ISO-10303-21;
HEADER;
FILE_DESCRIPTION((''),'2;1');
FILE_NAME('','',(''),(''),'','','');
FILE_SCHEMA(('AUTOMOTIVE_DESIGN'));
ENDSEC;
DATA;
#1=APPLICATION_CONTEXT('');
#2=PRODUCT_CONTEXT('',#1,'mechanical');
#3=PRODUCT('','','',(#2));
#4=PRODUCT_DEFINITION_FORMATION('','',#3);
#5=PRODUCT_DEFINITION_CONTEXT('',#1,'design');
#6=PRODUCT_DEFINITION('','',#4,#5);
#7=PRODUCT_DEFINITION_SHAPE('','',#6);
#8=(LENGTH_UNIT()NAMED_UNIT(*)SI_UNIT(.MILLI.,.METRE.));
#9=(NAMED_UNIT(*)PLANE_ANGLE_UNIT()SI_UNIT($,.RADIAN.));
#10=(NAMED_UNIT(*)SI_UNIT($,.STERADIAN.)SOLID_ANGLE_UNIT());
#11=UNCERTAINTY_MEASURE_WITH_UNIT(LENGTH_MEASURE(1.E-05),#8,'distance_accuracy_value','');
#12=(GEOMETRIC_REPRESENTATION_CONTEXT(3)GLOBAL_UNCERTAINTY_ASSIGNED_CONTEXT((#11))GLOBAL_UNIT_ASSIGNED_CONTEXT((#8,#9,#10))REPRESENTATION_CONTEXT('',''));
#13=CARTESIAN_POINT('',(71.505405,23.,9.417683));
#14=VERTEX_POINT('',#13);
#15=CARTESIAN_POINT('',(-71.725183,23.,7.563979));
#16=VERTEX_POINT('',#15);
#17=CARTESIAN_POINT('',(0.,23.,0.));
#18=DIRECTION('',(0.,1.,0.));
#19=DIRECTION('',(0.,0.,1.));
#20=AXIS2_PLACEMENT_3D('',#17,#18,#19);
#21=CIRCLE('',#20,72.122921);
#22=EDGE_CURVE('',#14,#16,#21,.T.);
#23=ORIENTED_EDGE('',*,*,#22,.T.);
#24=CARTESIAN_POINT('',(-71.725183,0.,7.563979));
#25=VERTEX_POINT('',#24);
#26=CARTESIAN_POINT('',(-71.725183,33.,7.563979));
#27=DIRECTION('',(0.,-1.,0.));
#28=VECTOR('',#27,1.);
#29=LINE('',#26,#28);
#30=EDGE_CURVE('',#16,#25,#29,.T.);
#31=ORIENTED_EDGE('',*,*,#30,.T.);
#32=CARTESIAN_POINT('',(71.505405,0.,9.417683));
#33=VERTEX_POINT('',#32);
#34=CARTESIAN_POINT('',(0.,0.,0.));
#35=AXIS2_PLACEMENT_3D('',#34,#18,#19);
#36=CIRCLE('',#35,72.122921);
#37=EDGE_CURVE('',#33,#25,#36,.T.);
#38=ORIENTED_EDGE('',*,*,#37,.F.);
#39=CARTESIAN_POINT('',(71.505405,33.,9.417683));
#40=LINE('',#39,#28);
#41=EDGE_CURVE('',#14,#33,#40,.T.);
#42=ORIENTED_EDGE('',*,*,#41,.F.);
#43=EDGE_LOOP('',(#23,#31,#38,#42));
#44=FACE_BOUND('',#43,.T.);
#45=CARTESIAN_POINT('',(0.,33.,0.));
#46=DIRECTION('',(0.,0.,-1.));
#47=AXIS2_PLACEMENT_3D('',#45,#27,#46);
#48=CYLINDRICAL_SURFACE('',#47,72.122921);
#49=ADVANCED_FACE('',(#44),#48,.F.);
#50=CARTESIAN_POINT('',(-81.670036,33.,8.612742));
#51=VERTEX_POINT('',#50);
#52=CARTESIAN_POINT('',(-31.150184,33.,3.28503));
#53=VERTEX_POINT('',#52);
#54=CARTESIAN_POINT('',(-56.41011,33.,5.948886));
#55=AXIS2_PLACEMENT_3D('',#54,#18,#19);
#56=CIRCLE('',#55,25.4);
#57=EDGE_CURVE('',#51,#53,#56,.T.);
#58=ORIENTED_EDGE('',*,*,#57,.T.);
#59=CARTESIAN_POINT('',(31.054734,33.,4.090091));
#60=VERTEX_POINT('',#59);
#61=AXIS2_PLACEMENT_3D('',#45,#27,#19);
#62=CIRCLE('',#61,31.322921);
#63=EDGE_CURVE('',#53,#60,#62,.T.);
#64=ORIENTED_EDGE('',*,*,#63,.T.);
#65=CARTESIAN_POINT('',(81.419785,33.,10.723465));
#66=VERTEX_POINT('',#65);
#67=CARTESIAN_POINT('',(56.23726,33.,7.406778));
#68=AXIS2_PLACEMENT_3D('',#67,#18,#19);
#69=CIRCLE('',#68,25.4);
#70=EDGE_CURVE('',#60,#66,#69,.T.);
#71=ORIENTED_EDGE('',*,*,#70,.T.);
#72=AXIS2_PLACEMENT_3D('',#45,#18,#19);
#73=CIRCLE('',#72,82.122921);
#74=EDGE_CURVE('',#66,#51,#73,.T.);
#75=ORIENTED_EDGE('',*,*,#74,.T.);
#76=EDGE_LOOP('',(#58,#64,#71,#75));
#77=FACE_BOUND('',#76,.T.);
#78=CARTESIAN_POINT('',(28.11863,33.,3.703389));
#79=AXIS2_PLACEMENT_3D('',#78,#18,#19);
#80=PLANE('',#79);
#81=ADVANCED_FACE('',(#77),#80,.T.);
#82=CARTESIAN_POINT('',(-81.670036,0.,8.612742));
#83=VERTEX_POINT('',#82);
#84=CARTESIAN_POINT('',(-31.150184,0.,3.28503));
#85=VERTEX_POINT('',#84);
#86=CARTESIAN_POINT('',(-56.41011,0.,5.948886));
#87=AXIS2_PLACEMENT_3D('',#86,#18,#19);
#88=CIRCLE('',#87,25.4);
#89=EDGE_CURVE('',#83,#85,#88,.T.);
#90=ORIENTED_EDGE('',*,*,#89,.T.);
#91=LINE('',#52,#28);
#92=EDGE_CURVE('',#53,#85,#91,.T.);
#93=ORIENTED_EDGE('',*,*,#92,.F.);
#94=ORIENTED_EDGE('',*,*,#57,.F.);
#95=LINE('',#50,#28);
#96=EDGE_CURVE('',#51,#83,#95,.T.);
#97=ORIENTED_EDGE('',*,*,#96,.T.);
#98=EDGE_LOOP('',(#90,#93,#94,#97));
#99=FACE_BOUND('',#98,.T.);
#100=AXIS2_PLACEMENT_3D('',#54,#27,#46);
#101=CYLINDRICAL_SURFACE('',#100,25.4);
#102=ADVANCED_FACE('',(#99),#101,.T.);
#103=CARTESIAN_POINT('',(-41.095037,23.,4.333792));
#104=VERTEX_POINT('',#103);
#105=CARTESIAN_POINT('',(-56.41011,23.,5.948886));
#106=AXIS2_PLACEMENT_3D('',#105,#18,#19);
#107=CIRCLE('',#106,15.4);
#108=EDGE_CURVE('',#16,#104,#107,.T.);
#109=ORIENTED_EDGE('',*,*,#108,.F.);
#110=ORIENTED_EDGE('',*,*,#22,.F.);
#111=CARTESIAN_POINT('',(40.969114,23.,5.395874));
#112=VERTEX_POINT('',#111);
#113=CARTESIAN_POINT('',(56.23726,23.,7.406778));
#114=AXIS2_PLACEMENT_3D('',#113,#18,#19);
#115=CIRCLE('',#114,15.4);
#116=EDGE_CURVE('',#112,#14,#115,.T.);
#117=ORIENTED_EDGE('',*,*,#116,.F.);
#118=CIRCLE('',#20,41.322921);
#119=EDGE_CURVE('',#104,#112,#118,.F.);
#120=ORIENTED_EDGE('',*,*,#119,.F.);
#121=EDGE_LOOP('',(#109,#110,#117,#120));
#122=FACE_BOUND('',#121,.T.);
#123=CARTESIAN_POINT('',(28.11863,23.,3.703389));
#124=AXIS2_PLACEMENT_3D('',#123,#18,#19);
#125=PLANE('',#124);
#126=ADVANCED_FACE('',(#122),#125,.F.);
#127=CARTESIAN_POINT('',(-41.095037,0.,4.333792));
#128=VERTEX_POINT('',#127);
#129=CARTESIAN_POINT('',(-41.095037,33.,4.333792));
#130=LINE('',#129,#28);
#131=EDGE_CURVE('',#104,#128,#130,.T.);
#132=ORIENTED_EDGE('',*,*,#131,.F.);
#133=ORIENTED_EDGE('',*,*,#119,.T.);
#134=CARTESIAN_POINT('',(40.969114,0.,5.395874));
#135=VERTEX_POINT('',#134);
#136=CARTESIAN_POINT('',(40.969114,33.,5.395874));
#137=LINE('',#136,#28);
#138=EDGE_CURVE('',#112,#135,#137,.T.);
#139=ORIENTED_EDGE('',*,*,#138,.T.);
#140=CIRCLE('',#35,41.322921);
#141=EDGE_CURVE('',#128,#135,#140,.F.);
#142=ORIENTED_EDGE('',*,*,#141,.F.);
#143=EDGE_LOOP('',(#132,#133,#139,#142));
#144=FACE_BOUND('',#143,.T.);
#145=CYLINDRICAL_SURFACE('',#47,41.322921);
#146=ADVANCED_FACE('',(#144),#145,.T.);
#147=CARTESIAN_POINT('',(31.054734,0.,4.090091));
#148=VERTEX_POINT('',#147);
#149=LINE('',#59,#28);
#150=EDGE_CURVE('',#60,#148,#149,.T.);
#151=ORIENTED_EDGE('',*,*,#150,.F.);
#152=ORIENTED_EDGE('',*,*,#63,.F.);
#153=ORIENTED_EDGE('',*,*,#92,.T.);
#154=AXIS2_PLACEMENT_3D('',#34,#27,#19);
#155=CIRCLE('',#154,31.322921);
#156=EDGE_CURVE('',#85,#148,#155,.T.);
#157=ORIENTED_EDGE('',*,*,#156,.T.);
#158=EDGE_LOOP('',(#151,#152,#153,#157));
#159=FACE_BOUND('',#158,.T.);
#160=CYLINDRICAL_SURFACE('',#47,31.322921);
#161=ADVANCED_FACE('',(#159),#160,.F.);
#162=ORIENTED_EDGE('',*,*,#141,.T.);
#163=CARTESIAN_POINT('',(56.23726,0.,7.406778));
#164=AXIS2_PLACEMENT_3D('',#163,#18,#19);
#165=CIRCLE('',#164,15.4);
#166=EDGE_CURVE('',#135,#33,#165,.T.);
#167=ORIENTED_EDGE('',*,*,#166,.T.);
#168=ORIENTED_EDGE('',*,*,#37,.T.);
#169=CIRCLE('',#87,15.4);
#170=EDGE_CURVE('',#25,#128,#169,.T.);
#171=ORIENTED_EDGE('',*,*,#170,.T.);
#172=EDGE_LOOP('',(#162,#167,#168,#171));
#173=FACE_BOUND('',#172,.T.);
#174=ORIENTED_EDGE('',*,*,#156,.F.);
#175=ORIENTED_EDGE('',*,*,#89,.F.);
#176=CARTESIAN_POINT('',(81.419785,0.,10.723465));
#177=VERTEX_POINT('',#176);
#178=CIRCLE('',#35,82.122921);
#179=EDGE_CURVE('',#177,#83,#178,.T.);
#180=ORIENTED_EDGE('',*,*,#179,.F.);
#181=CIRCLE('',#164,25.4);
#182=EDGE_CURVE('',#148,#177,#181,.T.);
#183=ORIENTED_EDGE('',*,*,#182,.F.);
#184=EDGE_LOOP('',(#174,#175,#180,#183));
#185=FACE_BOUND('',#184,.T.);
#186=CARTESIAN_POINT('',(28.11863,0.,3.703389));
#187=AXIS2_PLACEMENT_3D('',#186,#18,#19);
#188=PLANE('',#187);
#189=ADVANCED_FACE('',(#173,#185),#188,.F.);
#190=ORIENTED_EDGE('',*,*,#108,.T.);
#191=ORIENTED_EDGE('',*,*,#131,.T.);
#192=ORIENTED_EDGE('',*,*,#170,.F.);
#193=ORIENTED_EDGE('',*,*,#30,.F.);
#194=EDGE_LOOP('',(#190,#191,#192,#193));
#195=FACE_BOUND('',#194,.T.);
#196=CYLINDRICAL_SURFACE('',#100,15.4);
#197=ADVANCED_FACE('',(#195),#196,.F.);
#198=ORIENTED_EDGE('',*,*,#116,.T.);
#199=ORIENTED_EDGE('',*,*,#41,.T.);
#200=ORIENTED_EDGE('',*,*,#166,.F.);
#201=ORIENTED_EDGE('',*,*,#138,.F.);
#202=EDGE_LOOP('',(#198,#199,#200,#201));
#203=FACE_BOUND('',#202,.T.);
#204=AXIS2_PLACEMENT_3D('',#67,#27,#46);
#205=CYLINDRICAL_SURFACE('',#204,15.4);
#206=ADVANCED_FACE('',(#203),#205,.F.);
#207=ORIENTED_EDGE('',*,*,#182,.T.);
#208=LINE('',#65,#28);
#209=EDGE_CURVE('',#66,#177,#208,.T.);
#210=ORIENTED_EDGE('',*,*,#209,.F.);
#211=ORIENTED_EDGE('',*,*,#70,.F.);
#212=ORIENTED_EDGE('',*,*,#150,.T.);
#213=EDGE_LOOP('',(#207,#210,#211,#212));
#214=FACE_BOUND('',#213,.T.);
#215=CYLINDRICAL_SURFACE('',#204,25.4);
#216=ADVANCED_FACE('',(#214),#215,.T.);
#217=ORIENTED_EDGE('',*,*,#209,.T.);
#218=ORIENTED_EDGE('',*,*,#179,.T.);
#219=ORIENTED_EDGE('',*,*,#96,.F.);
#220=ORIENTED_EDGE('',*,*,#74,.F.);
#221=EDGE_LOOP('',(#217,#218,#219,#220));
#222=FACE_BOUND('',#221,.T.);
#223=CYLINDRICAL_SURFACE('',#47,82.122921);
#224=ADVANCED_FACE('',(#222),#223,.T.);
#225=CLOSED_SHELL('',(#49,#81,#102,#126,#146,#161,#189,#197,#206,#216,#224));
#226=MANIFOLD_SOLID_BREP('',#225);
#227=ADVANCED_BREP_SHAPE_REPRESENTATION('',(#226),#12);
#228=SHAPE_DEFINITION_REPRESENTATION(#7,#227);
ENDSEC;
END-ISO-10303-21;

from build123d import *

# Parameters (mm, degrees)
BOSS_EXTRUDE1_DEPTH = 33
SHELL1_T            = -10


with BuildPart() as part:
    # Sketch1 → Boss-Extrude1 (new body)
    with BuildSketch(Plane(origin=(0, 0, 0), x_dir=(1, 0, 0), z_dir=(0, 1, 0))):
        with BuildLine():
            ThreePointArc((81.419785193, -10.723465188), (1.062753422, 82.116043997), (-81.670036167, -8.612741664))
            ThreePointArc((-81.670036167, -8.612741664), (-53.746253944, -31.208811817), (-31.150183791, -3.285029594))
            ThreePointArc((-31.150183791, -3.285029594), (0.405350187, 31.320297905), (31.054734295, -4.090091387))
            ThreePointArc((31.054734295, -4.090091387), (52.920572843, -32.589303736), (81.419785193, -10.723465188))
        make_face()
    extrude(amount=BOSS_EXTRUDE1_DEPTH)

    # Shell1
    shell1_openings = [part.faces().sort_by_distance(p)[0] for p in [
        (-53.956492273, 0, 29.21523386),
    ]]
    offset(amount=SHELL1_T, openings=shell1_openings, kind=Kind.INTERSECTION)


solid = part.part
